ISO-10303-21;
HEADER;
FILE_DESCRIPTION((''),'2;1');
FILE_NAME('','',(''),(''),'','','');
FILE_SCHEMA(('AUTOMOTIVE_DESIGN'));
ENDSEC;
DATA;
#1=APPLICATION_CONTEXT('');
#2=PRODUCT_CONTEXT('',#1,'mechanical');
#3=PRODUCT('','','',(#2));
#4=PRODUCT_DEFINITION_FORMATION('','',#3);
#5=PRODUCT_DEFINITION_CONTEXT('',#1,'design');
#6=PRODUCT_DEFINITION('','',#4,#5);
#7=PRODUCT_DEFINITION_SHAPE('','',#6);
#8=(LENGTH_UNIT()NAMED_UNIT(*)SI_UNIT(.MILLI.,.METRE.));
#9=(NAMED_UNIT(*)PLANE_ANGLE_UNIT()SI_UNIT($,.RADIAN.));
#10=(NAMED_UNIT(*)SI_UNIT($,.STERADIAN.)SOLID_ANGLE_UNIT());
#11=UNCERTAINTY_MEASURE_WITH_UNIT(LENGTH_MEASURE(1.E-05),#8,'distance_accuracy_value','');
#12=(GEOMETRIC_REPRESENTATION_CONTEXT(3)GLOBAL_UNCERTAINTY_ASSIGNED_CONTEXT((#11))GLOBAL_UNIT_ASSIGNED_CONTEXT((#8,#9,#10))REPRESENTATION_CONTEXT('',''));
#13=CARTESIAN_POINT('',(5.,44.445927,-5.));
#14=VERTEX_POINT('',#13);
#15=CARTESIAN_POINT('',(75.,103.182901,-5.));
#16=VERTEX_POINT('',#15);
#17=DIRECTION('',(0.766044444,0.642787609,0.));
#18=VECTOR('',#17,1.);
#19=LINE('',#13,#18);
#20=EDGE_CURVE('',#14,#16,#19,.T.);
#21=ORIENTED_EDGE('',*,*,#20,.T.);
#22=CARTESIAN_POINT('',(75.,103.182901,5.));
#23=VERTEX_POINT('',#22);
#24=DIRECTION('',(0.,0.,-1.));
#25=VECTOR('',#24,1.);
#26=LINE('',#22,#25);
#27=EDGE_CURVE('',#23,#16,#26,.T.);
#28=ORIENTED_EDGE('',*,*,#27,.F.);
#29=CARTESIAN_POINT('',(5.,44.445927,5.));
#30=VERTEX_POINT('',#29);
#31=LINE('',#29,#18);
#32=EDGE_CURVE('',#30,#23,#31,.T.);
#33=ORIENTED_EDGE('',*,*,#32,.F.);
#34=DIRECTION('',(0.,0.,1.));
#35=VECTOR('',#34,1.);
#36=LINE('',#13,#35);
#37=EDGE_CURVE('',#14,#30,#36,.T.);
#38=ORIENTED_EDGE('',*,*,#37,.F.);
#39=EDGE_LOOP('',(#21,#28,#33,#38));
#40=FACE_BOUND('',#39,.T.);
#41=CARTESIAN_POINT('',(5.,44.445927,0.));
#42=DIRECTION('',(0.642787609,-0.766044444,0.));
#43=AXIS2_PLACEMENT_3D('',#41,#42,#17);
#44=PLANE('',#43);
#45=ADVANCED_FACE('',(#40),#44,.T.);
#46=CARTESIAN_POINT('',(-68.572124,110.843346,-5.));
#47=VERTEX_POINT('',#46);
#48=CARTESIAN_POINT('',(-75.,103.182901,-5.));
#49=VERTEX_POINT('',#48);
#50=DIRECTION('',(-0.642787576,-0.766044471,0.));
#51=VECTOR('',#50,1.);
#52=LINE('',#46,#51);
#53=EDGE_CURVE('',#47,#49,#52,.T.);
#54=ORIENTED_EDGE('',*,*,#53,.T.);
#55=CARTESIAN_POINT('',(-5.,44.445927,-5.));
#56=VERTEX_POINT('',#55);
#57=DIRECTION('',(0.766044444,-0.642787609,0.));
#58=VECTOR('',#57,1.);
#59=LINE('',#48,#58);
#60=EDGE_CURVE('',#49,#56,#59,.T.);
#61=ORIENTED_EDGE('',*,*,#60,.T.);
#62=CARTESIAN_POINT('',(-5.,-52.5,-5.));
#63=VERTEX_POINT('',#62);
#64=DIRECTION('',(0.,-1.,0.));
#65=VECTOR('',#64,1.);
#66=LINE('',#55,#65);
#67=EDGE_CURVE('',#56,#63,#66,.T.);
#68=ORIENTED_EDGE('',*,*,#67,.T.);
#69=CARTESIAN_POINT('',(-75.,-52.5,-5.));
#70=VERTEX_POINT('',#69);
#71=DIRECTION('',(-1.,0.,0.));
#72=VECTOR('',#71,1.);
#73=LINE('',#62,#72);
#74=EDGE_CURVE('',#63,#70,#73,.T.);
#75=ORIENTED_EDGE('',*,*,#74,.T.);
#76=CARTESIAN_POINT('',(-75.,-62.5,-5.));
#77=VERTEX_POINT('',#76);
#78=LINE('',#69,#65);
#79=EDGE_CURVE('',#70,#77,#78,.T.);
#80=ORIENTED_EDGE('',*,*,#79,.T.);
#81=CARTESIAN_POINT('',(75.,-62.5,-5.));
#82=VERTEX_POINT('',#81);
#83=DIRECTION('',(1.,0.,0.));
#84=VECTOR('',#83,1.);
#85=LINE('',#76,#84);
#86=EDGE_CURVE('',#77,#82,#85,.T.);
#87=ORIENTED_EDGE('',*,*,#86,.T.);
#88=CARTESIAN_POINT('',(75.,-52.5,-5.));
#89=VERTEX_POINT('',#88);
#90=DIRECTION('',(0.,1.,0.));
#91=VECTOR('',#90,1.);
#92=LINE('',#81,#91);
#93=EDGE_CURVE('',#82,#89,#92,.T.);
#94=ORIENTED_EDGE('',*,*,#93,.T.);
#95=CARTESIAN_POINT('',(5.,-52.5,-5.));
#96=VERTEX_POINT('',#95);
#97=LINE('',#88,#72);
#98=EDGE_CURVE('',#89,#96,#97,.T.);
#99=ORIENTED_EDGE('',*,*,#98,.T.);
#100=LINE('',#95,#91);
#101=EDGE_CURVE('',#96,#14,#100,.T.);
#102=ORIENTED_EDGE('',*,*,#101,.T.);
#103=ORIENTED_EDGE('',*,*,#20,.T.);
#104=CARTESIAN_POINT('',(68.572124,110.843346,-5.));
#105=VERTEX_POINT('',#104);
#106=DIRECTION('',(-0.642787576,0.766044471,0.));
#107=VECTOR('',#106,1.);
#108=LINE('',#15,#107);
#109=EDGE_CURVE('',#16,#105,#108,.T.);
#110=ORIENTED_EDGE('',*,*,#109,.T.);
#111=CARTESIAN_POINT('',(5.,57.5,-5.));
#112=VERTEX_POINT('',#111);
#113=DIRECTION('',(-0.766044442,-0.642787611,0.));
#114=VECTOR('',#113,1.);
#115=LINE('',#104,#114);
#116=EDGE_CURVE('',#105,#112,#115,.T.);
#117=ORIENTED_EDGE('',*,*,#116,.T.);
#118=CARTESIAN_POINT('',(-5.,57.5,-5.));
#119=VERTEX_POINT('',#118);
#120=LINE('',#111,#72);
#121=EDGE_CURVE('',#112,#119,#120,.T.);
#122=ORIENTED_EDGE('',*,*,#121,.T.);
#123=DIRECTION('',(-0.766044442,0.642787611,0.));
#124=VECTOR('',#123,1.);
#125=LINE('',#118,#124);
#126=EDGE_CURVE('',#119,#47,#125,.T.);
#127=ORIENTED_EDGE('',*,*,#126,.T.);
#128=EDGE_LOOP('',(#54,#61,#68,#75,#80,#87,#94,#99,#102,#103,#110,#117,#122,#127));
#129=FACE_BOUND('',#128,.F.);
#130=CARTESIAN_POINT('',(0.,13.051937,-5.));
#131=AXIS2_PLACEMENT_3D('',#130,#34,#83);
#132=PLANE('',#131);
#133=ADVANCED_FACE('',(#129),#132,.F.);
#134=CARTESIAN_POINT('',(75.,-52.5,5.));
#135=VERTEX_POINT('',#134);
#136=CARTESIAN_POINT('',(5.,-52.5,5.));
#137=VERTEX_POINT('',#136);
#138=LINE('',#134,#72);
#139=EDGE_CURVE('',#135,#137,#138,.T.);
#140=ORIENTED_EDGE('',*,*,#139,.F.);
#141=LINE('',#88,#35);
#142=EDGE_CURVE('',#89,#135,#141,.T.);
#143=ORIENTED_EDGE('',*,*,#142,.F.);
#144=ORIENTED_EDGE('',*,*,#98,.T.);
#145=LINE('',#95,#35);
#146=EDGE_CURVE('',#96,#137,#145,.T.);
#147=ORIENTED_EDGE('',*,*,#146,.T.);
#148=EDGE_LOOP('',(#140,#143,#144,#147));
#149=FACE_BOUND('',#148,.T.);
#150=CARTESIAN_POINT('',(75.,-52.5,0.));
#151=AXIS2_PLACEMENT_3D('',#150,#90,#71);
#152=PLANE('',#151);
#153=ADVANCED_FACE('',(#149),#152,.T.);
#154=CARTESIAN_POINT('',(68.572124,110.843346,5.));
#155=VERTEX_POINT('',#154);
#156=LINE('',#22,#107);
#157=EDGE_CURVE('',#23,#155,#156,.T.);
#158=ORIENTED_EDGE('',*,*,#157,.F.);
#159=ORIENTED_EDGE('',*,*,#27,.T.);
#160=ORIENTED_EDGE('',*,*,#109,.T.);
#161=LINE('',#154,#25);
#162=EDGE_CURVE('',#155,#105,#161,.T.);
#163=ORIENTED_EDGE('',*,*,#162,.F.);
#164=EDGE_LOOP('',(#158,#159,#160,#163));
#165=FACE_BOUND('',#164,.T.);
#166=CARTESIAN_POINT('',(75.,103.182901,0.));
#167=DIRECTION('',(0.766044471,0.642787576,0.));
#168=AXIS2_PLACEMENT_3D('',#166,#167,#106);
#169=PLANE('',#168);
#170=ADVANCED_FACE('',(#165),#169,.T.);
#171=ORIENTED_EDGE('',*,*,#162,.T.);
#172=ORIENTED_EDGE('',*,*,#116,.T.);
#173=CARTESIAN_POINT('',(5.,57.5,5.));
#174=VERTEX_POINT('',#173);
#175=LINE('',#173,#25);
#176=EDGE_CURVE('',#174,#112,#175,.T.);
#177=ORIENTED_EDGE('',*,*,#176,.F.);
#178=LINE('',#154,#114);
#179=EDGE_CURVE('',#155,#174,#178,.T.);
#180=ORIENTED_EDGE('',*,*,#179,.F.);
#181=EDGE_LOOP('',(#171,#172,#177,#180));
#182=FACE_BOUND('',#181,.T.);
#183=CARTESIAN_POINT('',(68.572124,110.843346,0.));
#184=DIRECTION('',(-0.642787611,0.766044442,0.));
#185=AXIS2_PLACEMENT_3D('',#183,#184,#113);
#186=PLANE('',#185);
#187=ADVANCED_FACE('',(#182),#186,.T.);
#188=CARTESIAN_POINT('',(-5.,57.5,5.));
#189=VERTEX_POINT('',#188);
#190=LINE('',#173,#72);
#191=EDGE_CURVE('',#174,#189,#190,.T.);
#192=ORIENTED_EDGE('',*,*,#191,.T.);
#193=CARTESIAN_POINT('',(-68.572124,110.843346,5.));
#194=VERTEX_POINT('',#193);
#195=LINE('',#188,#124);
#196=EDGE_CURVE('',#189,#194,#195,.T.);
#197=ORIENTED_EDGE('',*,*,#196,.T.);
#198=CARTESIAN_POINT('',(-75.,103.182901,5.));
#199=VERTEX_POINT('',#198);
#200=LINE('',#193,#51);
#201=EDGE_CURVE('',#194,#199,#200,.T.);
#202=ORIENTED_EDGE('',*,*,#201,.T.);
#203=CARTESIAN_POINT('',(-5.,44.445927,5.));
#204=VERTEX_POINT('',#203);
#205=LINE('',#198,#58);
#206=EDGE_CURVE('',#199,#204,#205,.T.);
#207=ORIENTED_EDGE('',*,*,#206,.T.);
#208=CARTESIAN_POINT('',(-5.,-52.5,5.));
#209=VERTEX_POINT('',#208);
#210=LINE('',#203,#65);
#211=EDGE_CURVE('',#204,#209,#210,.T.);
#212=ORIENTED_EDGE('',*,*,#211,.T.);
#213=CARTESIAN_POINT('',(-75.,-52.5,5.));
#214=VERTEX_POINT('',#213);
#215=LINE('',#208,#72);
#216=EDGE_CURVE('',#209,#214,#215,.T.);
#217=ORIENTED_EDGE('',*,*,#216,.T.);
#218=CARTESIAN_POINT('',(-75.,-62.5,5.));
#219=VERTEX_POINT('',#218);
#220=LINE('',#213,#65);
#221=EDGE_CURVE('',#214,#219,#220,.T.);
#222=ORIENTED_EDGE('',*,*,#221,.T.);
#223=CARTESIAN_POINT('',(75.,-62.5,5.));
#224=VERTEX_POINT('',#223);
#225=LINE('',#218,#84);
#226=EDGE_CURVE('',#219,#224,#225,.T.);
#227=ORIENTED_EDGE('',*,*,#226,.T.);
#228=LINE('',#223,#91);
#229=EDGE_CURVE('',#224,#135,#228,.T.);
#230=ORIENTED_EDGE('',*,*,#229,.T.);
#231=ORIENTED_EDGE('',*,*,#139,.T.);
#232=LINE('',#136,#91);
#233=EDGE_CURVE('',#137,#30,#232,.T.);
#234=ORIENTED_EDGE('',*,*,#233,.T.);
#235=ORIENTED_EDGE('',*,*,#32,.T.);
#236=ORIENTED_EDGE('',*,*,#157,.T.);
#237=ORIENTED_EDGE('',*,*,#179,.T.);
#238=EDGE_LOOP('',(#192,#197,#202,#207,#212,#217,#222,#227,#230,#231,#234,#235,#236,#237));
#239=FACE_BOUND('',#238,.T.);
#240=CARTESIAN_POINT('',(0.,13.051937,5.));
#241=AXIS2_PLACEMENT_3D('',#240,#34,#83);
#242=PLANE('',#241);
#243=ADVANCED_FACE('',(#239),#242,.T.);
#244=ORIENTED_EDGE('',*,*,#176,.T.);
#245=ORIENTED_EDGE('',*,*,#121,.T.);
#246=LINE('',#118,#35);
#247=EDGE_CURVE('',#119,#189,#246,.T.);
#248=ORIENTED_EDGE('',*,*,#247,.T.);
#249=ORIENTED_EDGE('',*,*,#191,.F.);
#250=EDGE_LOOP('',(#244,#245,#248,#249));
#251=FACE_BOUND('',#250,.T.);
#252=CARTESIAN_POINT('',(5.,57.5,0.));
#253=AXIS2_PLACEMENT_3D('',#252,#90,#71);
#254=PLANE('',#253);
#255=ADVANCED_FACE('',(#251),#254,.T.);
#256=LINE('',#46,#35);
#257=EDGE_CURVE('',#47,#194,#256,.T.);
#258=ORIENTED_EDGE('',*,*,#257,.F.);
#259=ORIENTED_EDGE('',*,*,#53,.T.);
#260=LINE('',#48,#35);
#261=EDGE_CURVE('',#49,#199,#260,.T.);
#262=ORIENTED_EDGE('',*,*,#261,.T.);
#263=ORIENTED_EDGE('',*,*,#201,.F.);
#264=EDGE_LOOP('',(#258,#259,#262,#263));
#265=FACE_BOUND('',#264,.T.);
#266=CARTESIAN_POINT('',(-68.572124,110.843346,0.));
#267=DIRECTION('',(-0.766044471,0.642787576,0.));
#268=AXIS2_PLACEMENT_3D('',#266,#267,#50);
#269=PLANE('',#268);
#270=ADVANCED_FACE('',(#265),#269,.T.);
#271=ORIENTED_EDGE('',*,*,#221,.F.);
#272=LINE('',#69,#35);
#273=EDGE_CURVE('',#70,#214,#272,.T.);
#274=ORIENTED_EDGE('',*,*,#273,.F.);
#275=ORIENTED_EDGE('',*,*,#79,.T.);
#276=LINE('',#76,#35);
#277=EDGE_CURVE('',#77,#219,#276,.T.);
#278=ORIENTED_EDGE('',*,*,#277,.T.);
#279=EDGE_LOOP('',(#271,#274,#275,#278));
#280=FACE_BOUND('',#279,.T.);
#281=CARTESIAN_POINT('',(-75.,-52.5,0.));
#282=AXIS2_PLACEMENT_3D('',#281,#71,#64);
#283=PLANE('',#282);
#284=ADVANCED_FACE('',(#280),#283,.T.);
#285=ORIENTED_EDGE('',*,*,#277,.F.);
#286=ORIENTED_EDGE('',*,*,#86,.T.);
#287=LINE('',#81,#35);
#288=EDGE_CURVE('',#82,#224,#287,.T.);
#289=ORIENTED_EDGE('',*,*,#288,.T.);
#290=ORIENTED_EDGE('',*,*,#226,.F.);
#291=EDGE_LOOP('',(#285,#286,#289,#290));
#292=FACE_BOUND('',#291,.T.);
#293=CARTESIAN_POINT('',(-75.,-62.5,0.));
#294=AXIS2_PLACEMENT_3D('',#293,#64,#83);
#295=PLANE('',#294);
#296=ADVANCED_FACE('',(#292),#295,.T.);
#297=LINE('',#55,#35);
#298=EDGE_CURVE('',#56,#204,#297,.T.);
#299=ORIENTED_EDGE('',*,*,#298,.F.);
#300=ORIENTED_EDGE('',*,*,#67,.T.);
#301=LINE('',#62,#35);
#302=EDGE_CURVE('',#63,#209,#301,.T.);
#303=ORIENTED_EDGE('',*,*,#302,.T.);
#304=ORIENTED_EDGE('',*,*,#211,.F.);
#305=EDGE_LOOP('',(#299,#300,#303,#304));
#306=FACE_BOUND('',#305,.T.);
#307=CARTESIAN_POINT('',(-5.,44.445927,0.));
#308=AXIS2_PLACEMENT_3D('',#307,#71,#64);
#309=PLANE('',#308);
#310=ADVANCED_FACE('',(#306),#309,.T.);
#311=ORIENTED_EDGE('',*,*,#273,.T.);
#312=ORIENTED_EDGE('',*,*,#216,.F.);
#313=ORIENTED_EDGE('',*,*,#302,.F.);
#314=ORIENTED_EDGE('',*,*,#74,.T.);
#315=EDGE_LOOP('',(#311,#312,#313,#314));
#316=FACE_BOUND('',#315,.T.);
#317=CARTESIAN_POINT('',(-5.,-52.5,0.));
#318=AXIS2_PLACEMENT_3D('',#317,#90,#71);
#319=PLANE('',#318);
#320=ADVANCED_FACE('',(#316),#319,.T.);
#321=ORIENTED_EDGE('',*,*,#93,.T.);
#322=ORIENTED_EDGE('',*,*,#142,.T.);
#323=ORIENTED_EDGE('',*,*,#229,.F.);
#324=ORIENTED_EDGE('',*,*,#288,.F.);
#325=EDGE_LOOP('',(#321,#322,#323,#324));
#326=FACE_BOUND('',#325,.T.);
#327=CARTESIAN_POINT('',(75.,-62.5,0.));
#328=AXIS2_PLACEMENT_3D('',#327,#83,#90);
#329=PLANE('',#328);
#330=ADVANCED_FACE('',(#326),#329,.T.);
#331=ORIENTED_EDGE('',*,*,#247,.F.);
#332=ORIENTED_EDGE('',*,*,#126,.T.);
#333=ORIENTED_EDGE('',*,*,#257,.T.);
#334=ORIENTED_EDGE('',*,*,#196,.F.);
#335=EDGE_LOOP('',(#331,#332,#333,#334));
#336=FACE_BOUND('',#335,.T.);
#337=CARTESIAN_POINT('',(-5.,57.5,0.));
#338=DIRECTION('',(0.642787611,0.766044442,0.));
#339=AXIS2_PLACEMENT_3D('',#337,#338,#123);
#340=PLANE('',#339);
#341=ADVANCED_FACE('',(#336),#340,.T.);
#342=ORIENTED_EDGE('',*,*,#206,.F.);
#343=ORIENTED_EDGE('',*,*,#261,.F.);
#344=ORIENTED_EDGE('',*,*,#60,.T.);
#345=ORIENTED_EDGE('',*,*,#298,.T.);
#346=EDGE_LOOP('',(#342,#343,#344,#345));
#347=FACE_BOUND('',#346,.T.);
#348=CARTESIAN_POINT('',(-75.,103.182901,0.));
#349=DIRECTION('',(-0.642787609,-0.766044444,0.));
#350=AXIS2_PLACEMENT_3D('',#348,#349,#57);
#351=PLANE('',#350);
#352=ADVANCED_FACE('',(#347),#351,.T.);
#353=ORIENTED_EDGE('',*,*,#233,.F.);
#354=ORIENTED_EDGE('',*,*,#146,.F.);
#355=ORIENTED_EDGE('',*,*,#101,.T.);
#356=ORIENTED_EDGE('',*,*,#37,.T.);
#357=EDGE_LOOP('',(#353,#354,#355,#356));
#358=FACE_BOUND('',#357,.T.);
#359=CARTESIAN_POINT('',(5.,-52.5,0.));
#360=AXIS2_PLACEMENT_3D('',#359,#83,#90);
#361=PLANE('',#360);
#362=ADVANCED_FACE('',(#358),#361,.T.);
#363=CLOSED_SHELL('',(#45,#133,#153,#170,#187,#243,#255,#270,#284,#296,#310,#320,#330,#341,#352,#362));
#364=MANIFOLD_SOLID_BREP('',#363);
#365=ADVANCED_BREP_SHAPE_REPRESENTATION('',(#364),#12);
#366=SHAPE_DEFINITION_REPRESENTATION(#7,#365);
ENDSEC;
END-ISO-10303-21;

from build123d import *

# Parameters (mm, degrees)
F1_DEPTH = 5


with BuildPart() as f1:
    # F0 (on Top) → F1 (new body, symmetric)
    with BuildSketch(Plane.XY):
        Polygon((5, 57.5), (-5, 57.5), (-68.572124, 110.843346), (-75, 103.182901), (-5, 44.445927), (-5, -52.5), (-75, -52.5), (-75, -62.5), (75, -62.5), (75, -52.5), (5, -52.5), (5, 44.445927), (75, 103.182901), (68.572124, 110.843346), align=None)
    extrude(amount=F1_DEPTH, both=True)


solid = f1.part
